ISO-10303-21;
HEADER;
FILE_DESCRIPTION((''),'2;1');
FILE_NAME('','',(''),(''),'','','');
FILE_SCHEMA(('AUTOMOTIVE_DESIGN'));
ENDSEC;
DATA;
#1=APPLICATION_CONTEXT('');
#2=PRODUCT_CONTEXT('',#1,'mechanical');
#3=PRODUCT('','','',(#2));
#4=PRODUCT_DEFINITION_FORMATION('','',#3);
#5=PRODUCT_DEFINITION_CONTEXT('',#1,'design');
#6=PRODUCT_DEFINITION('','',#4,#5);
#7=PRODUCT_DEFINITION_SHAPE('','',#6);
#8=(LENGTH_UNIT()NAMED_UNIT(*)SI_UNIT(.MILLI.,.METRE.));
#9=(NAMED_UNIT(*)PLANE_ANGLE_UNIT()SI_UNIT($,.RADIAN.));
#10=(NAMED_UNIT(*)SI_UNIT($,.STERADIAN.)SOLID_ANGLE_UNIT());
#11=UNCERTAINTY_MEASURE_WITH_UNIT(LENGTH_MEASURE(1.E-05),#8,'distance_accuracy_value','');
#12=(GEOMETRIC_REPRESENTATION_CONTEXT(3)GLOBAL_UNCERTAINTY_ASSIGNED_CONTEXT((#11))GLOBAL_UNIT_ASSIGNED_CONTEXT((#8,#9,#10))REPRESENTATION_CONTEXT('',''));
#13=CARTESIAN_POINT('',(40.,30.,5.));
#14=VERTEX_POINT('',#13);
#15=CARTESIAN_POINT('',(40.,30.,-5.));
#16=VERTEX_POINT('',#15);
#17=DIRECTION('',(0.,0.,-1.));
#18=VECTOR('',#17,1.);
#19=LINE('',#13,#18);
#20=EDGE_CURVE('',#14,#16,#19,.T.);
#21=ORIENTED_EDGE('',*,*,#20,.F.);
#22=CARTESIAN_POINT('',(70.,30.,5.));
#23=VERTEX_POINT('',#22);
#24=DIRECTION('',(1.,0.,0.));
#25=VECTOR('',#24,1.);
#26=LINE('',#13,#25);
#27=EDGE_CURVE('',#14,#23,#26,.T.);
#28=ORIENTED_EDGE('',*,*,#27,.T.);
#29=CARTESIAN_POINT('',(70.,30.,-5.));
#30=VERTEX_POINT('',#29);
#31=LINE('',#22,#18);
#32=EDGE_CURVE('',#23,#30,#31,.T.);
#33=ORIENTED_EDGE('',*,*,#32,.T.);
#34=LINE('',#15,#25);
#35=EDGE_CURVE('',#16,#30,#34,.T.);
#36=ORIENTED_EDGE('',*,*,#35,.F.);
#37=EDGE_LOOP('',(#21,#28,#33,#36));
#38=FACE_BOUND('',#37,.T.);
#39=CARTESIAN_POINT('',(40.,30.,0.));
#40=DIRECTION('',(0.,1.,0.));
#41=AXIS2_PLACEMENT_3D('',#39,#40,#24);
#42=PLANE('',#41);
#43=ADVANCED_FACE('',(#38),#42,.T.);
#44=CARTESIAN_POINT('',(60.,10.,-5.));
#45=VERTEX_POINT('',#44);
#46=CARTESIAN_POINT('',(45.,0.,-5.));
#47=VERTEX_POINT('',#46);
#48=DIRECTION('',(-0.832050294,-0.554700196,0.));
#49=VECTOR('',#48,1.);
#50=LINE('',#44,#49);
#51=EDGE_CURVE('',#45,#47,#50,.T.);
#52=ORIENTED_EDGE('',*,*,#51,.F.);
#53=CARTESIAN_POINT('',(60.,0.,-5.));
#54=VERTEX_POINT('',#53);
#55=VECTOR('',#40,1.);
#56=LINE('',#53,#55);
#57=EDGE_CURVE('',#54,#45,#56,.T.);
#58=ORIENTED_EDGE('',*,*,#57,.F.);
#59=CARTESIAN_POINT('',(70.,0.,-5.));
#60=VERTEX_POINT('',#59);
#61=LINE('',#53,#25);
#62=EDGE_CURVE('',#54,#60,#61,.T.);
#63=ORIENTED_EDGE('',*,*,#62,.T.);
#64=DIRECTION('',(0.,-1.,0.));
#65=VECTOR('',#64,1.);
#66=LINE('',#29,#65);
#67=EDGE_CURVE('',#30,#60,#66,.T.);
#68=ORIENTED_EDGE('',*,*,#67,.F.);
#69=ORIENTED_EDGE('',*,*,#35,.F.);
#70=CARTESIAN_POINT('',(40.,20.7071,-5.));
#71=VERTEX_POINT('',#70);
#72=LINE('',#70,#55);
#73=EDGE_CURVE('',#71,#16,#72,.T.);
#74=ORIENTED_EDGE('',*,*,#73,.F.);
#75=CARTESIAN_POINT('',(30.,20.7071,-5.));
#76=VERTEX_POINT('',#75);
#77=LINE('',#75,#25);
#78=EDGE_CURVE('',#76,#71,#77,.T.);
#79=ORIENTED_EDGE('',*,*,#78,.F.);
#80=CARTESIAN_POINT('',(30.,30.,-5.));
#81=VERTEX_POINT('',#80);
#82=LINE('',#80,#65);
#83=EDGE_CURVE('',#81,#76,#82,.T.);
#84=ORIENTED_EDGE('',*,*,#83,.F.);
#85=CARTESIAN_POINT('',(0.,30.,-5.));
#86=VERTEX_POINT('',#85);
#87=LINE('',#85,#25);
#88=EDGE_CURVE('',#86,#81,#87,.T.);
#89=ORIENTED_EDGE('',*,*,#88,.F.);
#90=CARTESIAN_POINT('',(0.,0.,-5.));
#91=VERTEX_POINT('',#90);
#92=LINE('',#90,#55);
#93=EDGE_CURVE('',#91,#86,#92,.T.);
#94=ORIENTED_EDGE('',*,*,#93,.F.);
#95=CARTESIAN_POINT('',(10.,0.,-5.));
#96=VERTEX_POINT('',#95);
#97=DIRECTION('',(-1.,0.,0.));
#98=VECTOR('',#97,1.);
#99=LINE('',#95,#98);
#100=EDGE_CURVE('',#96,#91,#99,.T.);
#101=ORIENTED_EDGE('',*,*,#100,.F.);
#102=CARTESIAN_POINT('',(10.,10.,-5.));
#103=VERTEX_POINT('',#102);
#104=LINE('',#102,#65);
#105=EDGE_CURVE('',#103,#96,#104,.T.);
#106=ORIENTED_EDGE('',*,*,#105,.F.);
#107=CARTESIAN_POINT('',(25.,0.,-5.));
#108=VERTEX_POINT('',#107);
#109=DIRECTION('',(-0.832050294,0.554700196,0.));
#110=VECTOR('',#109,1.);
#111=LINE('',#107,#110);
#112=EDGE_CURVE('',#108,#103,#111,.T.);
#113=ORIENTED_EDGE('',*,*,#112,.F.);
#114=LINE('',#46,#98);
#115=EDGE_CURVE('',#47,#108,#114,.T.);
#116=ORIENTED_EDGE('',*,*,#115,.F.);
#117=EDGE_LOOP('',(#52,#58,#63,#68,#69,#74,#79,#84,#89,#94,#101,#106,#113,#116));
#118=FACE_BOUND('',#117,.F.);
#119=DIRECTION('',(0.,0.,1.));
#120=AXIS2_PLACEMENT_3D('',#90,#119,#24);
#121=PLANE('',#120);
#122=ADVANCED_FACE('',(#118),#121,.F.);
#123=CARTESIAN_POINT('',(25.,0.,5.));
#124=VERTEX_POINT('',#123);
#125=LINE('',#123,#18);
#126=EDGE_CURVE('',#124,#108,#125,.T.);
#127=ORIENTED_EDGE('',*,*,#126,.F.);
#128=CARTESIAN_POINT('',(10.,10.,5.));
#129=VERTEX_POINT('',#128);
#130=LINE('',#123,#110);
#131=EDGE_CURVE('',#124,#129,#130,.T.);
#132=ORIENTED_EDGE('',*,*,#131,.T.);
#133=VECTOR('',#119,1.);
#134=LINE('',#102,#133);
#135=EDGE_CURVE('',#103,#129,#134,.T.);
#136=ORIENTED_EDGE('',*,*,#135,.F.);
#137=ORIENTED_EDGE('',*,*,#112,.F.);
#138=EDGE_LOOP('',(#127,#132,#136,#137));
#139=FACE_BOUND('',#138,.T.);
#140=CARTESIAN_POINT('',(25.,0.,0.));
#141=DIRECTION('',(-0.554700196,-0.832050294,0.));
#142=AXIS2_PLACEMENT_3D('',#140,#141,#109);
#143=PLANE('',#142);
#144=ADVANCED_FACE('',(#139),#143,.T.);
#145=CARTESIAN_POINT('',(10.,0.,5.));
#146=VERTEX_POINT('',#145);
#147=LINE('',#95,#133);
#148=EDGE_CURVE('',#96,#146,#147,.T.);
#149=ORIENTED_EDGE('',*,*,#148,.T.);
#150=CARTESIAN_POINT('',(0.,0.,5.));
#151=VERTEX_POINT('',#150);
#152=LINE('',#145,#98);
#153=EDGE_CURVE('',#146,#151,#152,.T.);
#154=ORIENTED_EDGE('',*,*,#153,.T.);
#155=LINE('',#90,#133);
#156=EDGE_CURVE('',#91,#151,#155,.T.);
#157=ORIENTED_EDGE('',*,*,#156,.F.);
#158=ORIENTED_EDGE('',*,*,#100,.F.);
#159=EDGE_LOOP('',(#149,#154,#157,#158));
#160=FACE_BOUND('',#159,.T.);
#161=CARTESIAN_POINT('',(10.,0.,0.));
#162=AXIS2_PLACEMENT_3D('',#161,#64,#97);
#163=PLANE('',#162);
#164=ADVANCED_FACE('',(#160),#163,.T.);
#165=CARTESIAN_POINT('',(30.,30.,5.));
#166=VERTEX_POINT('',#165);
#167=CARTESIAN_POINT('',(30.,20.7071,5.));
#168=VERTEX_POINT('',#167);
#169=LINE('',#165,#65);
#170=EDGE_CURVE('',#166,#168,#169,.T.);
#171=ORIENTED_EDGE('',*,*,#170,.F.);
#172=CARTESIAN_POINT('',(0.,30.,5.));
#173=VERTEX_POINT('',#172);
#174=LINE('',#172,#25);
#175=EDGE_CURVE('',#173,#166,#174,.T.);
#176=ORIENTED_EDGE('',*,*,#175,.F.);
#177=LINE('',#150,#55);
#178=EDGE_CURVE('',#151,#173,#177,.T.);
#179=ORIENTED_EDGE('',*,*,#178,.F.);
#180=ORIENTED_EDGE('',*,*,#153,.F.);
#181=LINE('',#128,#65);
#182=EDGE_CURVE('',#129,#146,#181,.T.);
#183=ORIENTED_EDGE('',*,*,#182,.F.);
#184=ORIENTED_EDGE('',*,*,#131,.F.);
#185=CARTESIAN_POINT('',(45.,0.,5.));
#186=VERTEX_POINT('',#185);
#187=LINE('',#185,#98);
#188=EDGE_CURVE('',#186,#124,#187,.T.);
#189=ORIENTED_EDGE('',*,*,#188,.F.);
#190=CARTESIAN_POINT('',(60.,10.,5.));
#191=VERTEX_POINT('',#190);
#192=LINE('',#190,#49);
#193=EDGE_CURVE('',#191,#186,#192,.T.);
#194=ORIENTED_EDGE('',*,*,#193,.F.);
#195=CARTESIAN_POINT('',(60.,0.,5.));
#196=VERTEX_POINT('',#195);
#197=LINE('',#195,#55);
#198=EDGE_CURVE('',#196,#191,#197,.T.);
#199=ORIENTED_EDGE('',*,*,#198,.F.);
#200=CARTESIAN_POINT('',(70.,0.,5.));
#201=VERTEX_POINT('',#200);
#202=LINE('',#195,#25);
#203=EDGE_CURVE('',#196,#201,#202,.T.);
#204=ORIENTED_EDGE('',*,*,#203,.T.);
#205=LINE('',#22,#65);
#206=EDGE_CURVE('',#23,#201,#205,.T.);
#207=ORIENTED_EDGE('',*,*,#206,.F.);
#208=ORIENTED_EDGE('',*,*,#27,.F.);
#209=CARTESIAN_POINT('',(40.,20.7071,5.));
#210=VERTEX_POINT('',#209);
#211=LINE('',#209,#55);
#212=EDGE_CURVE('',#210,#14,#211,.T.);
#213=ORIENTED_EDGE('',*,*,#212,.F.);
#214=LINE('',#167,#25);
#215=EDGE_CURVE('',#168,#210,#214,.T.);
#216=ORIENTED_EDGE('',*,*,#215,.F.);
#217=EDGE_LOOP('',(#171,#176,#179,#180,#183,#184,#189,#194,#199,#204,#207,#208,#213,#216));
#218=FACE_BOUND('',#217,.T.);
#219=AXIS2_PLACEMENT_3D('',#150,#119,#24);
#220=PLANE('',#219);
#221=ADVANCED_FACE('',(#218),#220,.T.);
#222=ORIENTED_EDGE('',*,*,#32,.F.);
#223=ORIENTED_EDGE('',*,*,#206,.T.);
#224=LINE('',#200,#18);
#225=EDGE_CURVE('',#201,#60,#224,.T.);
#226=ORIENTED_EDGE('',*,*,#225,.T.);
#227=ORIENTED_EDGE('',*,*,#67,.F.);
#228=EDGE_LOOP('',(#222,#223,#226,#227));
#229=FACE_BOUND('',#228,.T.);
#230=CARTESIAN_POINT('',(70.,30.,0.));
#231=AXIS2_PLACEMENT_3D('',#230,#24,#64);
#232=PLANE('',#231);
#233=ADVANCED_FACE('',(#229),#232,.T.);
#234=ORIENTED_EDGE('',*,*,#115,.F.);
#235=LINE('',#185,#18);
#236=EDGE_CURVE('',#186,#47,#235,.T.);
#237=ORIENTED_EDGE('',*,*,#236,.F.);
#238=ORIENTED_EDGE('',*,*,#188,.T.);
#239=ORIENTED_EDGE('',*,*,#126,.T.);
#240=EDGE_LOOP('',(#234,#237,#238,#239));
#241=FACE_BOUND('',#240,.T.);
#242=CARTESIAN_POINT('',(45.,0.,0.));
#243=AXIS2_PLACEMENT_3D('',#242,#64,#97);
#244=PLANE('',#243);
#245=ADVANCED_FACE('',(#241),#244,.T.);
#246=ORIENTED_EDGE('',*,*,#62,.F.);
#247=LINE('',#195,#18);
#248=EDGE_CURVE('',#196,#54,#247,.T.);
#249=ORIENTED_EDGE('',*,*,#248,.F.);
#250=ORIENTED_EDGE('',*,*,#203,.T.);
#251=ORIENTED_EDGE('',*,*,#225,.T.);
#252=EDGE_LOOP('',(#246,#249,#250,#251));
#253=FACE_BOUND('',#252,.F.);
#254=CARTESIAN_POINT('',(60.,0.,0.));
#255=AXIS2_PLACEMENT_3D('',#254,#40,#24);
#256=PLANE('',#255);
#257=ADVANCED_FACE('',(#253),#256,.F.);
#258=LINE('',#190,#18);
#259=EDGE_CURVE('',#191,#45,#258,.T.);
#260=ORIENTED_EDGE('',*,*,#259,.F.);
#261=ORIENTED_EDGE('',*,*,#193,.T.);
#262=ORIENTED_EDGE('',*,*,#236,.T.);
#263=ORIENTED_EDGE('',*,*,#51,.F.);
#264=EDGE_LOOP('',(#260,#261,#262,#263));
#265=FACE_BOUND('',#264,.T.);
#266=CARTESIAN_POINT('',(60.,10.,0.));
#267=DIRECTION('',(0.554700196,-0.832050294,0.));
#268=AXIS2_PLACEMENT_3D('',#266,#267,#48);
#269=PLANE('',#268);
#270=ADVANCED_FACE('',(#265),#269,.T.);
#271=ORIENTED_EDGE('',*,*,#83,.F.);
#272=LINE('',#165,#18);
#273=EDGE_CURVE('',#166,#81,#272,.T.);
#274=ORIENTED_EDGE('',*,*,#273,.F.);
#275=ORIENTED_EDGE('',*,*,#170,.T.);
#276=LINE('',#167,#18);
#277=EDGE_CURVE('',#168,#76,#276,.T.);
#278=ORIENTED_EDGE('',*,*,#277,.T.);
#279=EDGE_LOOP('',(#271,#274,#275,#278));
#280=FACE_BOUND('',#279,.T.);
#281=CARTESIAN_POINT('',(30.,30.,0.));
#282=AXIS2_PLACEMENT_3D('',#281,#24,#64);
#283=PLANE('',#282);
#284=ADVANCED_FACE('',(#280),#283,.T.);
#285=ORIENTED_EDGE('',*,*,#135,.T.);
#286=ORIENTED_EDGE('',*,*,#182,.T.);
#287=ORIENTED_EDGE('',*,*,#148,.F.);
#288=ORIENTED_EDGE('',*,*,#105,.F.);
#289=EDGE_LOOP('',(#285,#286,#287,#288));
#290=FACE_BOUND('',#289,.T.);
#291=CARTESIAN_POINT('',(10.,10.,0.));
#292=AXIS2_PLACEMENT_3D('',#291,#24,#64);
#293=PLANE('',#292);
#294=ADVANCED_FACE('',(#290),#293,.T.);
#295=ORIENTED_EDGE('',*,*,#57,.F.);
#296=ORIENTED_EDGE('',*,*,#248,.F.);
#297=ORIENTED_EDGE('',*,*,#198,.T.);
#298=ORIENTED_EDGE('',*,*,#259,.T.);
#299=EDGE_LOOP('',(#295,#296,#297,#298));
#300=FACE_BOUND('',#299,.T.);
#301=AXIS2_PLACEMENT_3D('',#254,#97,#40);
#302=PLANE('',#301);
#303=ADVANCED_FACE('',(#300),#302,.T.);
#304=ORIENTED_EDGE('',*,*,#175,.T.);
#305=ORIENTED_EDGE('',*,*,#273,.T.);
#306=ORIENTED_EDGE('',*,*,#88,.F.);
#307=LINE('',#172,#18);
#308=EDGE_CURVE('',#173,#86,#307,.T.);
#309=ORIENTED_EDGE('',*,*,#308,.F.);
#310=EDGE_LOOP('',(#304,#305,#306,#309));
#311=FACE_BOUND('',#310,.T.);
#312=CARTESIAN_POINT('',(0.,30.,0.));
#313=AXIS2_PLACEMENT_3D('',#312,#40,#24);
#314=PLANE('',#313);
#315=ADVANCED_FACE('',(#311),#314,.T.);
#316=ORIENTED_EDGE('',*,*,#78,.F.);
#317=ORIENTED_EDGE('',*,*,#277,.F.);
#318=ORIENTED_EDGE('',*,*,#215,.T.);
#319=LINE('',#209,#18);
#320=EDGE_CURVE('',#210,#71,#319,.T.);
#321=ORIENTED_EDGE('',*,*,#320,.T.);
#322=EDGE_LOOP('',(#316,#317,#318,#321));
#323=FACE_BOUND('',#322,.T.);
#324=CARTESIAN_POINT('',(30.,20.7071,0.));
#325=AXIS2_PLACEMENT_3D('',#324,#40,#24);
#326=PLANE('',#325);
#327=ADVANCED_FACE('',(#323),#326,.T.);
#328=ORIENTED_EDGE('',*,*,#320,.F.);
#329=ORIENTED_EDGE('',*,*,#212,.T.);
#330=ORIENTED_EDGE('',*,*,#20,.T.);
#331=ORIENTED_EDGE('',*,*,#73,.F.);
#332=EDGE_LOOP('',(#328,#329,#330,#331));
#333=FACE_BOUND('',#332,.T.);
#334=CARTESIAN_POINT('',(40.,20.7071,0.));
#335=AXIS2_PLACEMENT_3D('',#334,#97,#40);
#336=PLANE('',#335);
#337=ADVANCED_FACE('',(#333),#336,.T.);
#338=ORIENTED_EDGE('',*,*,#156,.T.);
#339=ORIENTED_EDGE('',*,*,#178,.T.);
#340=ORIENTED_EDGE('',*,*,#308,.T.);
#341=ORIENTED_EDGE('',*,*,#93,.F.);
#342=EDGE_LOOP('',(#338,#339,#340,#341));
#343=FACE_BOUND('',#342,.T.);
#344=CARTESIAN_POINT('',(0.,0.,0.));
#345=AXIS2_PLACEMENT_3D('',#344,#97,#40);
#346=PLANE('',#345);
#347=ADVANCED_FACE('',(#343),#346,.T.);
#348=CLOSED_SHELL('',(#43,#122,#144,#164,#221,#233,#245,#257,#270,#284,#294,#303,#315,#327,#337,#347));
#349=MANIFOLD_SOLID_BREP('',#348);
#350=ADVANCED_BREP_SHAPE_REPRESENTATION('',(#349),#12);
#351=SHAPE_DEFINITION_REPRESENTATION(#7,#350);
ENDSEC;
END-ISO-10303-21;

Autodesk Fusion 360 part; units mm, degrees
sketch "Sketch1" plane through (0, 0, 0) normal (0, 0, 1) x (1, 0, 0)
  line L0 (0, 0) -> (0, 30)
  line L1 (0, 30) -> (30, 30)
  line L2 (30, 30) -> (30, 20.7071)
  line L3 (30, 20.7071) -> (40, 20.7071)
  line L4 (40, 20.7071) -> (40, 30)
  line L5 (40, 30) -> (70, 30)
  line L6 (70, 30) -> (70, 0)
  line L7 (60, 0) -> (60, 10)
  line L8 (60, 10) -> (45, 0)
  line L9 (45, 0) -> (25, 0)
  line L10 (25, 0) -> (10, 10)
  line L11 (10, 10) -> (10, 0)
  line L12 (10, 0) -> (0, 0)
  line L13 (60, 0) -> (70, 0)
  dimension "d1" = 30
  dimension "d4" = 30
  dimension "d5" = 30
  dimension "d9" = 70
  dimension "d10" = 10
  dimension "d11" = 15
  dimension "d12" = 20
  dimension "d13" = 10
  dimension "d14" = 15
  dimension "d15" = 10
  dimension "d16" = 30
  dimension "d17" = 10
  dimension "d18" = 10
  dimension "d19" = 20.7071
  dimension "d20" = 90
  dimension "d21" = 112.62
extrude "Extrude1" add sketch "Sketch1" along normal mid plane 10
